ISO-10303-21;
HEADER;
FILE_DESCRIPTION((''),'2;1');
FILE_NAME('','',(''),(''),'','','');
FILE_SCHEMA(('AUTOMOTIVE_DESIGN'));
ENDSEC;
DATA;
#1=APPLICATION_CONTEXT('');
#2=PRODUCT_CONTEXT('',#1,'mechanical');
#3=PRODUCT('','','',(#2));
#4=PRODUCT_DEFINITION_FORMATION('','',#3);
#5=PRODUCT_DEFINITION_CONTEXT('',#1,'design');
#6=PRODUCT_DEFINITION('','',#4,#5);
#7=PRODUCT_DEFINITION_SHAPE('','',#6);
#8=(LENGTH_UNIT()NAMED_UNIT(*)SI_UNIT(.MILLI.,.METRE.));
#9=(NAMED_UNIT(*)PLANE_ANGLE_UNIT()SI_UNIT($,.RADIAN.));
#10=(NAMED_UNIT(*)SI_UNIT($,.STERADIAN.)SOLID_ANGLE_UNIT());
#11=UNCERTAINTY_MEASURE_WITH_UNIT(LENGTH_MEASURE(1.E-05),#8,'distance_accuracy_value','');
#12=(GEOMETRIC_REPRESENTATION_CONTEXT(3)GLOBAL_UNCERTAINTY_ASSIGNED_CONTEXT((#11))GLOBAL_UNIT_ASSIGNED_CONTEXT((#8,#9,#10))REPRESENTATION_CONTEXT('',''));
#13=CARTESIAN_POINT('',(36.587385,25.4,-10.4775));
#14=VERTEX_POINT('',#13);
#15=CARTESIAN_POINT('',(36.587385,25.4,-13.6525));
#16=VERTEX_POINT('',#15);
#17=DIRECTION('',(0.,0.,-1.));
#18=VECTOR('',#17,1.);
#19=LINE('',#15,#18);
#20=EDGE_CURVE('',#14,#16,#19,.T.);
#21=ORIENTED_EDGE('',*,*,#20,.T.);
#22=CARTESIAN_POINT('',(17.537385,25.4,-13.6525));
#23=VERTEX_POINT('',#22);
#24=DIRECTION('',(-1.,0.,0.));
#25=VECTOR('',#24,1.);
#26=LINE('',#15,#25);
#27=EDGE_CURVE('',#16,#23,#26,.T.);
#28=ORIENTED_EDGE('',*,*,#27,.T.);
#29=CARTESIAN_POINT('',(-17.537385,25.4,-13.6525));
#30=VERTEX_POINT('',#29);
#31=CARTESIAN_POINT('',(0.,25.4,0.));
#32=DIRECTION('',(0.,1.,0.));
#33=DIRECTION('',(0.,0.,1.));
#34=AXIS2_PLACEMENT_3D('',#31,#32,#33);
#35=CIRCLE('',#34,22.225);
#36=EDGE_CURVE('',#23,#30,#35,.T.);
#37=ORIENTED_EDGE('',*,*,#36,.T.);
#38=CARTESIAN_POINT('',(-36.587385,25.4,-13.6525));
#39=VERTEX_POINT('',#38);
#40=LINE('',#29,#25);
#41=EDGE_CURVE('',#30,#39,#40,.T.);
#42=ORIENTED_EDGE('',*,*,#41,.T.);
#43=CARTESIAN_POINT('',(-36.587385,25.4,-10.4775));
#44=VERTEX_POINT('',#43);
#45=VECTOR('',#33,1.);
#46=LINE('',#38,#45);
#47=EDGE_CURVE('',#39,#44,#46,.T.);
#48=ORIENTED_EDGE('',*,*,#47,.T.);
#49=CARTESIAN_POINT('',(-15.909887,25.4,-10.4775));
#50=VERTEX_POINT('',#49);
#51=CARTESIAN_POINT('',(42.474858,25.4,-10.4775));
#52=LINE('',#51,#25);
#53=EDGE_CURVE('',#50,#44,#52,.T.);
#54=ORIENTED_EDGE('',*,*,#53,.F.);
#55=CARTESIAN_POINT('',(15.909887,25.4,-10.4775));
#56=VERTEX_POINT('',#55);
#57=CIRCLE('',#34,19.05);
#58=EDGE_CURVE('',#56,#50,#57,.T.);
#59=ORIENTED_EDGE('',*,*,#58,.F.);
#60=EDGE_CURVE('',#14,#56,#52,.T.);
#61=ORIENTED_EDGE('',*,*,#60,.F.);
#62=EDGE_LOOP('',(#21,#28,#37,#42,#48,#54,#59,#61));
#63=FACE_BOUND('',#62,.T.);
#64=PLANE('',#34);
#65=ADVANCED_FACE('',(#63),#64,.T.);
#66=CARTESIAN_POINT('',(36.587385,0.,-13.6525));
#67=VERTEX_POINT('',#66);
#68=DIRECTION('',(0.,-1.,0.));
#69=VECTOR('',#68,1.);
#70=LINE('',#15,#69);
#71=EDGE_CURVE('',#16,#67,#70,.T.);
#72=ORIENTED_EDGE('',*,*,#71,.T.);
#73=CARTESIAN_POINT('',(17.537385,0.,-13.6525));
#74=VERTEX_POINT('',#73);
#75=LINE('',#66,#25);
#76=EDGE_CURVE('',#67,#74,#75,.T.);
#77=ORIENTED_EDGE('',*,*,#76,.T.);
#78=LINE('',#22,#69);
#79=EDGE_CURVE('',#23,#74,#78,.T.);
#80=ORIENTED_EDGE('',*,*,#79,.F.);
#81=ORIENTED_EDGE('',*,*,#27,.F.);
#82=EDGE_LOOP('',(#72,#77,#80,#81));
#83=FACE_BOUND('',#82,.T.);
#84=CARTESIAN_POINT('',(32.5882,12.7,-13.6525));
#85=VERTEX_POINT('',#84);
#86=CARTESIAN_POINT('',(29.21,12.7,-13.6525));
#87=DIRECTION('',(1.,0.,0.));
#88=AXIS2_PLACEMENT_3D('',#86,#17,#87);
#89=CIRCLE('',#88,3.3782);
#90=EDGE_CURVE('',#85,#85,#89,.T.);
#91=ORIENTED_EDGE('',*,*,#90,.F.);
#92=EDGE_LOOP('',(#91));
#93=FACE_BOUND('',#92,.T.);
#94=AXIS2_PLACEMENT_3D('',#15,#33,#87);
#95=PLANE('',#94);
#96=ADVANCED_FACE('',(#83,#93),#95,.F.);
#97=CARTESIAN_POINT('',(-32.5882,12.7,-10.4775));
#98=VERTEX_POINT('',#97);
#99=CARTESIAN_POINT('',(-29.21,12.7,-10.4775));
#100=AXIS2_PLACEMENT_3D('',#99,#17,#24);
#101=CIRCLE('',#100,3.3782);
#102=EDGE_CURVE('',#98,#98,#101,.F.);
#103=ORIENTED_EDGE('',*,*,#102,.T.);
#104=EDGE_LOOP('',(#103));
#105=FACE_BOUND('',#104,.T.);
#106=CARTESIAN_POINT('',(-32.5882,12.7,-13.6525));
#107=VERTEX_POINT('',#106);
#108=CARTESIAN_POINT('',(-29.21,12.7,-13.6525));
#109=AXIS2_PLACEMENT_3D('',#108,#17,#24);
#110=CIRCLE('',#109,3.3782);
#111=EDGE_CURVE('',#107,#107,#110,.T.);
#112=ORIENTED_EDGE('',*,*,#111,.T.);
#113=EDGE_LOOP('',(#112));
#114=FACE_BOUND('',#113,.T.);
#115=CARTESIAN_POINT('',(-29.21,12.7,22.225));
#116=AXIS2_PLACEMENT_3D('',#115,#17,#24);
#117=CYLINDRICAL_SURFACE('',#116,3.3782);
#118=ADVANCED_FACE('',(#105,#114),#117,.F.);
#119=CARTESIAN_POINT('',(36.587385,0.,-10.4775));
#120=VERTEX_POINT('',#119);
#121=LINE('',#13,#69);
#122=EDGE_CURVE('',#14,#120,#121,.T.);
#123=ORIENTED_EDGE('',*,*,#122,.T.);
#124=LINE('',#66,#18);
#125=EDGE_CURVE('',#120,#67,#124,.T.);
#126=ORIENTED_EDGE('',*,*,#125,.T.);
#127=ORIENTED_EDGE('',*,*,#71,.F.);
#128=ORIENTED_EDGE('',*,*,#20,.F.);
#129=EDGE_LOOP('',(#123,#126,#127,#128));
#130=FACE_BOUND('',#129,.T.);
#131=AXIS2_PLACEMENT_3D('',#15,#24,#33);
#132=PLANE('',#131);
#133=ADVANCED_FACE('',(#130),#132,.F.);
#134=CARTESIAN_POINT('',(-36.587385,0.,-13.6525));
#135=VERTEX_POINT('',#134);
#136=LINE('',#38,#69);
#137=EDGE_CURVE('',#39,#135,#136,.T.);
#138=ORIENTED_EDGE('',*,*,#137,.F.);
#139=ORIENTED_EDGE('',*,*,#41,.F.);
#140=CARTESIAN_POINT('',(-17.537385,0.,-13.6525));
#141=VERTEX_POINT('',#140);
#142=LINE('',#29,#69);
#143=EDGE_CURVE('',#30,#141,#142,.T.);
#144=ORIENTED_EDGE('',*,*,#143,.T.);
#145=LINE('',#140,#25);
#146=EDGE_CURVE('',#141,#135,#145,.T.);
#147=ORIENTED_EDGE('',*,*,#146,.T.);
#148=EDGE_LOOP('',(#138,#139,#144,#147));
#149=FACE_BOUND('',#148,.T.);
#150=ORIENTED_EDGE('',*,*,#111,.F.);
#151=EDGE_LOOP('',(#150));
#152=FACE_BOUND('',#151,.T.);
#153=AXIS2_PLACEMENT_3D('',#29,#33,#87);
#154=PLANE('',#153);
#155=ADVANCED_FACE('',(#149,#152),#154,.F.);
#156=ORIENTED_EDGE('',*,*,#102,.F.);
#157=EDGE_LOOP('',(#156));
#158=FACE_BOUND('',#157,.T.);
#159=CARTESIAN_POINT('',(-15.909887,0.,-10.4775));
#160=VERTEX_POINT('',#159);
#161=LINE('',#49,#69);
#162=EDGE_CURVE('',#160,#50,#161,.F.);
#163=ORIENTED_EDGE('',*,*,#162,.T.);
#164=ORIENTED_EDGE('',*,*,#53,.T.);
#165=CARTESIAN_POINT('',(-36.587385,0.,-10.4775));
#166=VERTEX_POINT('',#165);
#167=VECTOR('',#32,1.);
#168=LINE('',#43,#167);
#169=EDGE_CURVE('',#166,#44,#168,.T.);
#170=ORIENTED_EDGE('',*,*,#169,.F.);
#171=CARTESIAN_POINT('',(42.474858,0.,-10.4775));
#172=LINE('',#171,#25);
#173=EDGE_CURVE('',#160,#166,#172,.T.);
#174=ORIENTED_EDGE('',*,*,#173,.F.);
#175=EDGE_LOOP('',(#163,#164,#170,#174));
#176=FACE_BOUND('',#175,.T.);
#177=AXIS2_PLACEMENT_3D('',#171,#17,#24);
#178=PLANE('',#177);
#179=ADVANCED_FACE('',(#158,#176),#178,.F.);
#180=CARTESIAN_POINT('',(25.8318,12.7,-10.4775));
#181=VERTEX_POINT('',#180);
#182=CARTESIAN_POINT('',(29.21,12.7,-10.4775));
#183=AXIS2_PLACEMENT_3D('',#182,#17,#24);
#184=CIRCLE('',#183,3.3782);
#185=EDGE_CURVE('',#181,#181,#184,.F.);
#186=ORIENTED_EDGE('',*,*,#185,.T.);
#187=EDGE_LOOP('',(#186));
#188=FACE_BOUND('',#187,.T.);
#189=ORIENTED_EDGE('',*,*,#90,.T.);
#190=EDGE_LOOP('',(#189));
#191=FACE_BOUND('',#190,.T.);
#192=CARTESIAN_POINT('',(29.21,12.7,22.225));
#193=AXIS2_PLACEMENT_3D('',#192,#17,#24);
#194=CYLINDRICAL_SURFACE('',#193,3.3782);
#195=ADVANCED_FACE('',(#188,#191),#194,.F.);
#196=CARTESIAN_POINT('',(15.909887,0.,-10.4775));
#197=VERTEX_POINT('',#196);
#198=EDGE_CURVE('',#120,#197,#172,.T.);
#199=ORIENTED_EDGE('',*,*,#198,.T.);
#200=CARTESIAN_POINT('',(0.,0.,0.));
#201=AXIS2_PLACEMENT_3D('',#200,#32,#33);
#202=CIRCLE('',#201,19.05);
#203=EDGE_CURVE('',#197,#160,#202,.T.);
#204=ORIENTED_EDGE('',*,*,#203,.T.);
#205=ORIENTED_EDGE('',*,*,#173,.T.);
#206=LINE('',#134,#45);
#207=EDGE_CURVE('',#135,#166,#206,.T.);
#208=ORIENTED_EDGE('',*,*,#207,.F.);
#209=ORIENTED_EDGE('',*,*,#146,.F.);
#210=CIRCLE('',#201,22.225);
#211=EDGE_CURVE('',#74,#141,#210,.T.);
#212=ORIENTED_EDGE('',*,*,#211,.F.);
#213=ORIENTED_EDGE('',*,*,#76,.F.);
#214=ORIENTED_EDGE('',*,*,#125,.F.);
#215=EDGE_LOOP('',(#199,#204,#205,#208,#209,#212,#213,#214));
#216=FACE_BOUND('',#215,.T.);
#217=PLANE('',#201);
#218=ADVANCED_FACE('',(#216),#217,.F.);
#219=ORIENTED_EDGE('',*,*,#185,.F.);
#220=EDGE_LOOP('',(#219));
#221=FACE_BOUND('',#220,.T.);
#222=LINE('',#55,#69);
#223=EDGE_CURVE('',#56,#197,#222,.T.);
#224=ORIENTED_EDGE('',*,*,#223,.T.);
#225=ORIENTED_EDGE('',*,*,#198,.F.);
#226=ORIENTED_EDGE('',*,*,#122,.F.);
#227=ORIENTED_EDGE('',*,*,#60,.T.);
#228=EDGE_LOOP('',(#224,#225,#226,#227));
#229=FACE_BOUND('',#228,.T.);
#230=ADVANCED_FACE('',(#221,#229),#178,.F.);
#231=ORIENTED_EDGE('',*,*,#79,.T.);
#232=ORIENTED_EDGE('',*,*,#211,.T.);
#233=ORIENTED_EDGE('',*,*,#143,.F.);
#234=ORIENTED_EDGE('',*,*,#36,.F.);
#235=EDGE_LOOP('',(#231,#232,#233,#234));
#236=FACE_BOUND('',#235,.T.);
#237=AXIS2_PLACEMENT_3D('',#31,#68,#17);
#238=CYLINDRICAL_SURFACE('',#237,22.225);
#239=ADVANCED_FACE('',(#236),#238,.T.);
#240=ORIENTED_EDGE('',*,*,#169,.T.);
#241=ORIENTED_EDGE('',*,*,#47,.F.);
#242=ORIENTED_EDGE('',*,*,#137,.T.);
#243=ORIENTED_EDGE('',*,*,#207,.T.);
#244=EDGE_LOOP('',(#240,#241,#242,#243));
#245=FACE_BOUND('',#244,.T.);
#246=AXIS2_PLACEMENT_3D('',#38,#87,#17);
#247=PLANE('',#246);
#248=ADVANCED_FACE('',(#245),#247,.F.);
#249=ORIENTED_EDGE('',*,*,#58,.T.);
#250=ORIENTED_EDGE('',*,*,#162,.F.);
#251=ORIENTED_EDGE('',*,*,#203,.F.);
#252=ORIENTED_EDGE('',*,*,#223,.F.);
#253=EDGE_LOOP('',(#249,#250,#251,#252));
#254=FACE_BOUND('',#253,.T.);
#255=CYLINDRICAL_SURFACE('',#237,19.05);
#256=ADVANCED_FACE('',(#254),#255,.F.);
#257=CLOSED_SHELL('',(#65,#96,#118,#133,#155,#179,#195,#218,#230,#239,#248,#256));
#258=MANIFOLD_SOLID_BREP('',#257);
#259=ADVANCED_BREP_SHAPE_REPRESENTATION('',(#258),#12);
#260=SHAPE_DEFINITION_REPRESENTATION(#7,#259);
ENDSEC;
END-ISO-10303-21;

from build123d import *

# Parameters (mm, degrees)
SKETCH1_R           = 19.05
BOSS_EXTRUDE1_DEPTH = 25.4
SKETCH2_R           = 3.3782
CUT_EXTRUDE1_DEPTH  = 36.8775
SKETCH3_W           = 85.242997218
SKETCH3_H           = 34.152222548
CUT_EXTRUDE2_DEPTH  = 26.4


with BuildPart() as part:
    # Sketch1 → Boss-Extrude1 (new body)
    with BuildSketch(Plane(origin=(0, 0, 0), x_dir=(1, 0, 0), z_dir=(0, 1, 0))):
        with BuildLine():
            Line((36.587384889, 13.6525), (17.537384889, 13.6525))
            ThreePointArc((17.537384889, 13.6525), (0, 22.225), (-17.537384889, 13.6525))
            Line((-17.537384889, 13.6525), (-36.587384889, 13.6525))
            Line((-36.587384889, 13.6525), (-36.587384889, 4.1275))
            Line((-36.587384889, 4.1275), (-21.838369187, 4.1275))
            ThreePointArc((-21.838369187, 4.1275), (0, -22.225), (21.838369187, 4.1275))
            Line((21.838369187, 4.1275), (36.587384889, 4.1275))
            Line((36.587384889, 4.1275), (36.587384889, 13.6525))
        make_face()
        Circle(SKETCH1_R, mode=Mode.SUBTRACT)
    extrude(amount=BOSS_EXTRUDE1_DEPTH)

    # Sketch2 → Cut-Extrude1 (cut, through all)
    with BuildSketch(Plane(origin=(0, 0, -13.6525), x_dir=(-1, 0, 0), z_dir=(0, 0, -1))):
        with Locations((29.21, 12.7)):
            Circle(SKETCH2_R)
        with Locations((-29.21, 12.7)):
            Circle(SKETCH2_R)
    extrude(amount=-CUT_EXTRUDE1_DEPTH, mode=Mode.SUBTRACT)

    # Sketch3 → Cut-Extrude2 (cut, through all)
    with BuildSketch(Plane(origin=(0, 25.4, 0), x_dir=(1, 0, 0), z_dir=(0, 1, 0))):
        with Locations((-0.146640147, -6.598611274)):
            Rectangle(SKETCH3_W, SKETCH3_H)
    extrude(amount=-CUT_EXTRUDE2_DEPTH, mode=Mode.SUBTRACT)


solid = part.part
